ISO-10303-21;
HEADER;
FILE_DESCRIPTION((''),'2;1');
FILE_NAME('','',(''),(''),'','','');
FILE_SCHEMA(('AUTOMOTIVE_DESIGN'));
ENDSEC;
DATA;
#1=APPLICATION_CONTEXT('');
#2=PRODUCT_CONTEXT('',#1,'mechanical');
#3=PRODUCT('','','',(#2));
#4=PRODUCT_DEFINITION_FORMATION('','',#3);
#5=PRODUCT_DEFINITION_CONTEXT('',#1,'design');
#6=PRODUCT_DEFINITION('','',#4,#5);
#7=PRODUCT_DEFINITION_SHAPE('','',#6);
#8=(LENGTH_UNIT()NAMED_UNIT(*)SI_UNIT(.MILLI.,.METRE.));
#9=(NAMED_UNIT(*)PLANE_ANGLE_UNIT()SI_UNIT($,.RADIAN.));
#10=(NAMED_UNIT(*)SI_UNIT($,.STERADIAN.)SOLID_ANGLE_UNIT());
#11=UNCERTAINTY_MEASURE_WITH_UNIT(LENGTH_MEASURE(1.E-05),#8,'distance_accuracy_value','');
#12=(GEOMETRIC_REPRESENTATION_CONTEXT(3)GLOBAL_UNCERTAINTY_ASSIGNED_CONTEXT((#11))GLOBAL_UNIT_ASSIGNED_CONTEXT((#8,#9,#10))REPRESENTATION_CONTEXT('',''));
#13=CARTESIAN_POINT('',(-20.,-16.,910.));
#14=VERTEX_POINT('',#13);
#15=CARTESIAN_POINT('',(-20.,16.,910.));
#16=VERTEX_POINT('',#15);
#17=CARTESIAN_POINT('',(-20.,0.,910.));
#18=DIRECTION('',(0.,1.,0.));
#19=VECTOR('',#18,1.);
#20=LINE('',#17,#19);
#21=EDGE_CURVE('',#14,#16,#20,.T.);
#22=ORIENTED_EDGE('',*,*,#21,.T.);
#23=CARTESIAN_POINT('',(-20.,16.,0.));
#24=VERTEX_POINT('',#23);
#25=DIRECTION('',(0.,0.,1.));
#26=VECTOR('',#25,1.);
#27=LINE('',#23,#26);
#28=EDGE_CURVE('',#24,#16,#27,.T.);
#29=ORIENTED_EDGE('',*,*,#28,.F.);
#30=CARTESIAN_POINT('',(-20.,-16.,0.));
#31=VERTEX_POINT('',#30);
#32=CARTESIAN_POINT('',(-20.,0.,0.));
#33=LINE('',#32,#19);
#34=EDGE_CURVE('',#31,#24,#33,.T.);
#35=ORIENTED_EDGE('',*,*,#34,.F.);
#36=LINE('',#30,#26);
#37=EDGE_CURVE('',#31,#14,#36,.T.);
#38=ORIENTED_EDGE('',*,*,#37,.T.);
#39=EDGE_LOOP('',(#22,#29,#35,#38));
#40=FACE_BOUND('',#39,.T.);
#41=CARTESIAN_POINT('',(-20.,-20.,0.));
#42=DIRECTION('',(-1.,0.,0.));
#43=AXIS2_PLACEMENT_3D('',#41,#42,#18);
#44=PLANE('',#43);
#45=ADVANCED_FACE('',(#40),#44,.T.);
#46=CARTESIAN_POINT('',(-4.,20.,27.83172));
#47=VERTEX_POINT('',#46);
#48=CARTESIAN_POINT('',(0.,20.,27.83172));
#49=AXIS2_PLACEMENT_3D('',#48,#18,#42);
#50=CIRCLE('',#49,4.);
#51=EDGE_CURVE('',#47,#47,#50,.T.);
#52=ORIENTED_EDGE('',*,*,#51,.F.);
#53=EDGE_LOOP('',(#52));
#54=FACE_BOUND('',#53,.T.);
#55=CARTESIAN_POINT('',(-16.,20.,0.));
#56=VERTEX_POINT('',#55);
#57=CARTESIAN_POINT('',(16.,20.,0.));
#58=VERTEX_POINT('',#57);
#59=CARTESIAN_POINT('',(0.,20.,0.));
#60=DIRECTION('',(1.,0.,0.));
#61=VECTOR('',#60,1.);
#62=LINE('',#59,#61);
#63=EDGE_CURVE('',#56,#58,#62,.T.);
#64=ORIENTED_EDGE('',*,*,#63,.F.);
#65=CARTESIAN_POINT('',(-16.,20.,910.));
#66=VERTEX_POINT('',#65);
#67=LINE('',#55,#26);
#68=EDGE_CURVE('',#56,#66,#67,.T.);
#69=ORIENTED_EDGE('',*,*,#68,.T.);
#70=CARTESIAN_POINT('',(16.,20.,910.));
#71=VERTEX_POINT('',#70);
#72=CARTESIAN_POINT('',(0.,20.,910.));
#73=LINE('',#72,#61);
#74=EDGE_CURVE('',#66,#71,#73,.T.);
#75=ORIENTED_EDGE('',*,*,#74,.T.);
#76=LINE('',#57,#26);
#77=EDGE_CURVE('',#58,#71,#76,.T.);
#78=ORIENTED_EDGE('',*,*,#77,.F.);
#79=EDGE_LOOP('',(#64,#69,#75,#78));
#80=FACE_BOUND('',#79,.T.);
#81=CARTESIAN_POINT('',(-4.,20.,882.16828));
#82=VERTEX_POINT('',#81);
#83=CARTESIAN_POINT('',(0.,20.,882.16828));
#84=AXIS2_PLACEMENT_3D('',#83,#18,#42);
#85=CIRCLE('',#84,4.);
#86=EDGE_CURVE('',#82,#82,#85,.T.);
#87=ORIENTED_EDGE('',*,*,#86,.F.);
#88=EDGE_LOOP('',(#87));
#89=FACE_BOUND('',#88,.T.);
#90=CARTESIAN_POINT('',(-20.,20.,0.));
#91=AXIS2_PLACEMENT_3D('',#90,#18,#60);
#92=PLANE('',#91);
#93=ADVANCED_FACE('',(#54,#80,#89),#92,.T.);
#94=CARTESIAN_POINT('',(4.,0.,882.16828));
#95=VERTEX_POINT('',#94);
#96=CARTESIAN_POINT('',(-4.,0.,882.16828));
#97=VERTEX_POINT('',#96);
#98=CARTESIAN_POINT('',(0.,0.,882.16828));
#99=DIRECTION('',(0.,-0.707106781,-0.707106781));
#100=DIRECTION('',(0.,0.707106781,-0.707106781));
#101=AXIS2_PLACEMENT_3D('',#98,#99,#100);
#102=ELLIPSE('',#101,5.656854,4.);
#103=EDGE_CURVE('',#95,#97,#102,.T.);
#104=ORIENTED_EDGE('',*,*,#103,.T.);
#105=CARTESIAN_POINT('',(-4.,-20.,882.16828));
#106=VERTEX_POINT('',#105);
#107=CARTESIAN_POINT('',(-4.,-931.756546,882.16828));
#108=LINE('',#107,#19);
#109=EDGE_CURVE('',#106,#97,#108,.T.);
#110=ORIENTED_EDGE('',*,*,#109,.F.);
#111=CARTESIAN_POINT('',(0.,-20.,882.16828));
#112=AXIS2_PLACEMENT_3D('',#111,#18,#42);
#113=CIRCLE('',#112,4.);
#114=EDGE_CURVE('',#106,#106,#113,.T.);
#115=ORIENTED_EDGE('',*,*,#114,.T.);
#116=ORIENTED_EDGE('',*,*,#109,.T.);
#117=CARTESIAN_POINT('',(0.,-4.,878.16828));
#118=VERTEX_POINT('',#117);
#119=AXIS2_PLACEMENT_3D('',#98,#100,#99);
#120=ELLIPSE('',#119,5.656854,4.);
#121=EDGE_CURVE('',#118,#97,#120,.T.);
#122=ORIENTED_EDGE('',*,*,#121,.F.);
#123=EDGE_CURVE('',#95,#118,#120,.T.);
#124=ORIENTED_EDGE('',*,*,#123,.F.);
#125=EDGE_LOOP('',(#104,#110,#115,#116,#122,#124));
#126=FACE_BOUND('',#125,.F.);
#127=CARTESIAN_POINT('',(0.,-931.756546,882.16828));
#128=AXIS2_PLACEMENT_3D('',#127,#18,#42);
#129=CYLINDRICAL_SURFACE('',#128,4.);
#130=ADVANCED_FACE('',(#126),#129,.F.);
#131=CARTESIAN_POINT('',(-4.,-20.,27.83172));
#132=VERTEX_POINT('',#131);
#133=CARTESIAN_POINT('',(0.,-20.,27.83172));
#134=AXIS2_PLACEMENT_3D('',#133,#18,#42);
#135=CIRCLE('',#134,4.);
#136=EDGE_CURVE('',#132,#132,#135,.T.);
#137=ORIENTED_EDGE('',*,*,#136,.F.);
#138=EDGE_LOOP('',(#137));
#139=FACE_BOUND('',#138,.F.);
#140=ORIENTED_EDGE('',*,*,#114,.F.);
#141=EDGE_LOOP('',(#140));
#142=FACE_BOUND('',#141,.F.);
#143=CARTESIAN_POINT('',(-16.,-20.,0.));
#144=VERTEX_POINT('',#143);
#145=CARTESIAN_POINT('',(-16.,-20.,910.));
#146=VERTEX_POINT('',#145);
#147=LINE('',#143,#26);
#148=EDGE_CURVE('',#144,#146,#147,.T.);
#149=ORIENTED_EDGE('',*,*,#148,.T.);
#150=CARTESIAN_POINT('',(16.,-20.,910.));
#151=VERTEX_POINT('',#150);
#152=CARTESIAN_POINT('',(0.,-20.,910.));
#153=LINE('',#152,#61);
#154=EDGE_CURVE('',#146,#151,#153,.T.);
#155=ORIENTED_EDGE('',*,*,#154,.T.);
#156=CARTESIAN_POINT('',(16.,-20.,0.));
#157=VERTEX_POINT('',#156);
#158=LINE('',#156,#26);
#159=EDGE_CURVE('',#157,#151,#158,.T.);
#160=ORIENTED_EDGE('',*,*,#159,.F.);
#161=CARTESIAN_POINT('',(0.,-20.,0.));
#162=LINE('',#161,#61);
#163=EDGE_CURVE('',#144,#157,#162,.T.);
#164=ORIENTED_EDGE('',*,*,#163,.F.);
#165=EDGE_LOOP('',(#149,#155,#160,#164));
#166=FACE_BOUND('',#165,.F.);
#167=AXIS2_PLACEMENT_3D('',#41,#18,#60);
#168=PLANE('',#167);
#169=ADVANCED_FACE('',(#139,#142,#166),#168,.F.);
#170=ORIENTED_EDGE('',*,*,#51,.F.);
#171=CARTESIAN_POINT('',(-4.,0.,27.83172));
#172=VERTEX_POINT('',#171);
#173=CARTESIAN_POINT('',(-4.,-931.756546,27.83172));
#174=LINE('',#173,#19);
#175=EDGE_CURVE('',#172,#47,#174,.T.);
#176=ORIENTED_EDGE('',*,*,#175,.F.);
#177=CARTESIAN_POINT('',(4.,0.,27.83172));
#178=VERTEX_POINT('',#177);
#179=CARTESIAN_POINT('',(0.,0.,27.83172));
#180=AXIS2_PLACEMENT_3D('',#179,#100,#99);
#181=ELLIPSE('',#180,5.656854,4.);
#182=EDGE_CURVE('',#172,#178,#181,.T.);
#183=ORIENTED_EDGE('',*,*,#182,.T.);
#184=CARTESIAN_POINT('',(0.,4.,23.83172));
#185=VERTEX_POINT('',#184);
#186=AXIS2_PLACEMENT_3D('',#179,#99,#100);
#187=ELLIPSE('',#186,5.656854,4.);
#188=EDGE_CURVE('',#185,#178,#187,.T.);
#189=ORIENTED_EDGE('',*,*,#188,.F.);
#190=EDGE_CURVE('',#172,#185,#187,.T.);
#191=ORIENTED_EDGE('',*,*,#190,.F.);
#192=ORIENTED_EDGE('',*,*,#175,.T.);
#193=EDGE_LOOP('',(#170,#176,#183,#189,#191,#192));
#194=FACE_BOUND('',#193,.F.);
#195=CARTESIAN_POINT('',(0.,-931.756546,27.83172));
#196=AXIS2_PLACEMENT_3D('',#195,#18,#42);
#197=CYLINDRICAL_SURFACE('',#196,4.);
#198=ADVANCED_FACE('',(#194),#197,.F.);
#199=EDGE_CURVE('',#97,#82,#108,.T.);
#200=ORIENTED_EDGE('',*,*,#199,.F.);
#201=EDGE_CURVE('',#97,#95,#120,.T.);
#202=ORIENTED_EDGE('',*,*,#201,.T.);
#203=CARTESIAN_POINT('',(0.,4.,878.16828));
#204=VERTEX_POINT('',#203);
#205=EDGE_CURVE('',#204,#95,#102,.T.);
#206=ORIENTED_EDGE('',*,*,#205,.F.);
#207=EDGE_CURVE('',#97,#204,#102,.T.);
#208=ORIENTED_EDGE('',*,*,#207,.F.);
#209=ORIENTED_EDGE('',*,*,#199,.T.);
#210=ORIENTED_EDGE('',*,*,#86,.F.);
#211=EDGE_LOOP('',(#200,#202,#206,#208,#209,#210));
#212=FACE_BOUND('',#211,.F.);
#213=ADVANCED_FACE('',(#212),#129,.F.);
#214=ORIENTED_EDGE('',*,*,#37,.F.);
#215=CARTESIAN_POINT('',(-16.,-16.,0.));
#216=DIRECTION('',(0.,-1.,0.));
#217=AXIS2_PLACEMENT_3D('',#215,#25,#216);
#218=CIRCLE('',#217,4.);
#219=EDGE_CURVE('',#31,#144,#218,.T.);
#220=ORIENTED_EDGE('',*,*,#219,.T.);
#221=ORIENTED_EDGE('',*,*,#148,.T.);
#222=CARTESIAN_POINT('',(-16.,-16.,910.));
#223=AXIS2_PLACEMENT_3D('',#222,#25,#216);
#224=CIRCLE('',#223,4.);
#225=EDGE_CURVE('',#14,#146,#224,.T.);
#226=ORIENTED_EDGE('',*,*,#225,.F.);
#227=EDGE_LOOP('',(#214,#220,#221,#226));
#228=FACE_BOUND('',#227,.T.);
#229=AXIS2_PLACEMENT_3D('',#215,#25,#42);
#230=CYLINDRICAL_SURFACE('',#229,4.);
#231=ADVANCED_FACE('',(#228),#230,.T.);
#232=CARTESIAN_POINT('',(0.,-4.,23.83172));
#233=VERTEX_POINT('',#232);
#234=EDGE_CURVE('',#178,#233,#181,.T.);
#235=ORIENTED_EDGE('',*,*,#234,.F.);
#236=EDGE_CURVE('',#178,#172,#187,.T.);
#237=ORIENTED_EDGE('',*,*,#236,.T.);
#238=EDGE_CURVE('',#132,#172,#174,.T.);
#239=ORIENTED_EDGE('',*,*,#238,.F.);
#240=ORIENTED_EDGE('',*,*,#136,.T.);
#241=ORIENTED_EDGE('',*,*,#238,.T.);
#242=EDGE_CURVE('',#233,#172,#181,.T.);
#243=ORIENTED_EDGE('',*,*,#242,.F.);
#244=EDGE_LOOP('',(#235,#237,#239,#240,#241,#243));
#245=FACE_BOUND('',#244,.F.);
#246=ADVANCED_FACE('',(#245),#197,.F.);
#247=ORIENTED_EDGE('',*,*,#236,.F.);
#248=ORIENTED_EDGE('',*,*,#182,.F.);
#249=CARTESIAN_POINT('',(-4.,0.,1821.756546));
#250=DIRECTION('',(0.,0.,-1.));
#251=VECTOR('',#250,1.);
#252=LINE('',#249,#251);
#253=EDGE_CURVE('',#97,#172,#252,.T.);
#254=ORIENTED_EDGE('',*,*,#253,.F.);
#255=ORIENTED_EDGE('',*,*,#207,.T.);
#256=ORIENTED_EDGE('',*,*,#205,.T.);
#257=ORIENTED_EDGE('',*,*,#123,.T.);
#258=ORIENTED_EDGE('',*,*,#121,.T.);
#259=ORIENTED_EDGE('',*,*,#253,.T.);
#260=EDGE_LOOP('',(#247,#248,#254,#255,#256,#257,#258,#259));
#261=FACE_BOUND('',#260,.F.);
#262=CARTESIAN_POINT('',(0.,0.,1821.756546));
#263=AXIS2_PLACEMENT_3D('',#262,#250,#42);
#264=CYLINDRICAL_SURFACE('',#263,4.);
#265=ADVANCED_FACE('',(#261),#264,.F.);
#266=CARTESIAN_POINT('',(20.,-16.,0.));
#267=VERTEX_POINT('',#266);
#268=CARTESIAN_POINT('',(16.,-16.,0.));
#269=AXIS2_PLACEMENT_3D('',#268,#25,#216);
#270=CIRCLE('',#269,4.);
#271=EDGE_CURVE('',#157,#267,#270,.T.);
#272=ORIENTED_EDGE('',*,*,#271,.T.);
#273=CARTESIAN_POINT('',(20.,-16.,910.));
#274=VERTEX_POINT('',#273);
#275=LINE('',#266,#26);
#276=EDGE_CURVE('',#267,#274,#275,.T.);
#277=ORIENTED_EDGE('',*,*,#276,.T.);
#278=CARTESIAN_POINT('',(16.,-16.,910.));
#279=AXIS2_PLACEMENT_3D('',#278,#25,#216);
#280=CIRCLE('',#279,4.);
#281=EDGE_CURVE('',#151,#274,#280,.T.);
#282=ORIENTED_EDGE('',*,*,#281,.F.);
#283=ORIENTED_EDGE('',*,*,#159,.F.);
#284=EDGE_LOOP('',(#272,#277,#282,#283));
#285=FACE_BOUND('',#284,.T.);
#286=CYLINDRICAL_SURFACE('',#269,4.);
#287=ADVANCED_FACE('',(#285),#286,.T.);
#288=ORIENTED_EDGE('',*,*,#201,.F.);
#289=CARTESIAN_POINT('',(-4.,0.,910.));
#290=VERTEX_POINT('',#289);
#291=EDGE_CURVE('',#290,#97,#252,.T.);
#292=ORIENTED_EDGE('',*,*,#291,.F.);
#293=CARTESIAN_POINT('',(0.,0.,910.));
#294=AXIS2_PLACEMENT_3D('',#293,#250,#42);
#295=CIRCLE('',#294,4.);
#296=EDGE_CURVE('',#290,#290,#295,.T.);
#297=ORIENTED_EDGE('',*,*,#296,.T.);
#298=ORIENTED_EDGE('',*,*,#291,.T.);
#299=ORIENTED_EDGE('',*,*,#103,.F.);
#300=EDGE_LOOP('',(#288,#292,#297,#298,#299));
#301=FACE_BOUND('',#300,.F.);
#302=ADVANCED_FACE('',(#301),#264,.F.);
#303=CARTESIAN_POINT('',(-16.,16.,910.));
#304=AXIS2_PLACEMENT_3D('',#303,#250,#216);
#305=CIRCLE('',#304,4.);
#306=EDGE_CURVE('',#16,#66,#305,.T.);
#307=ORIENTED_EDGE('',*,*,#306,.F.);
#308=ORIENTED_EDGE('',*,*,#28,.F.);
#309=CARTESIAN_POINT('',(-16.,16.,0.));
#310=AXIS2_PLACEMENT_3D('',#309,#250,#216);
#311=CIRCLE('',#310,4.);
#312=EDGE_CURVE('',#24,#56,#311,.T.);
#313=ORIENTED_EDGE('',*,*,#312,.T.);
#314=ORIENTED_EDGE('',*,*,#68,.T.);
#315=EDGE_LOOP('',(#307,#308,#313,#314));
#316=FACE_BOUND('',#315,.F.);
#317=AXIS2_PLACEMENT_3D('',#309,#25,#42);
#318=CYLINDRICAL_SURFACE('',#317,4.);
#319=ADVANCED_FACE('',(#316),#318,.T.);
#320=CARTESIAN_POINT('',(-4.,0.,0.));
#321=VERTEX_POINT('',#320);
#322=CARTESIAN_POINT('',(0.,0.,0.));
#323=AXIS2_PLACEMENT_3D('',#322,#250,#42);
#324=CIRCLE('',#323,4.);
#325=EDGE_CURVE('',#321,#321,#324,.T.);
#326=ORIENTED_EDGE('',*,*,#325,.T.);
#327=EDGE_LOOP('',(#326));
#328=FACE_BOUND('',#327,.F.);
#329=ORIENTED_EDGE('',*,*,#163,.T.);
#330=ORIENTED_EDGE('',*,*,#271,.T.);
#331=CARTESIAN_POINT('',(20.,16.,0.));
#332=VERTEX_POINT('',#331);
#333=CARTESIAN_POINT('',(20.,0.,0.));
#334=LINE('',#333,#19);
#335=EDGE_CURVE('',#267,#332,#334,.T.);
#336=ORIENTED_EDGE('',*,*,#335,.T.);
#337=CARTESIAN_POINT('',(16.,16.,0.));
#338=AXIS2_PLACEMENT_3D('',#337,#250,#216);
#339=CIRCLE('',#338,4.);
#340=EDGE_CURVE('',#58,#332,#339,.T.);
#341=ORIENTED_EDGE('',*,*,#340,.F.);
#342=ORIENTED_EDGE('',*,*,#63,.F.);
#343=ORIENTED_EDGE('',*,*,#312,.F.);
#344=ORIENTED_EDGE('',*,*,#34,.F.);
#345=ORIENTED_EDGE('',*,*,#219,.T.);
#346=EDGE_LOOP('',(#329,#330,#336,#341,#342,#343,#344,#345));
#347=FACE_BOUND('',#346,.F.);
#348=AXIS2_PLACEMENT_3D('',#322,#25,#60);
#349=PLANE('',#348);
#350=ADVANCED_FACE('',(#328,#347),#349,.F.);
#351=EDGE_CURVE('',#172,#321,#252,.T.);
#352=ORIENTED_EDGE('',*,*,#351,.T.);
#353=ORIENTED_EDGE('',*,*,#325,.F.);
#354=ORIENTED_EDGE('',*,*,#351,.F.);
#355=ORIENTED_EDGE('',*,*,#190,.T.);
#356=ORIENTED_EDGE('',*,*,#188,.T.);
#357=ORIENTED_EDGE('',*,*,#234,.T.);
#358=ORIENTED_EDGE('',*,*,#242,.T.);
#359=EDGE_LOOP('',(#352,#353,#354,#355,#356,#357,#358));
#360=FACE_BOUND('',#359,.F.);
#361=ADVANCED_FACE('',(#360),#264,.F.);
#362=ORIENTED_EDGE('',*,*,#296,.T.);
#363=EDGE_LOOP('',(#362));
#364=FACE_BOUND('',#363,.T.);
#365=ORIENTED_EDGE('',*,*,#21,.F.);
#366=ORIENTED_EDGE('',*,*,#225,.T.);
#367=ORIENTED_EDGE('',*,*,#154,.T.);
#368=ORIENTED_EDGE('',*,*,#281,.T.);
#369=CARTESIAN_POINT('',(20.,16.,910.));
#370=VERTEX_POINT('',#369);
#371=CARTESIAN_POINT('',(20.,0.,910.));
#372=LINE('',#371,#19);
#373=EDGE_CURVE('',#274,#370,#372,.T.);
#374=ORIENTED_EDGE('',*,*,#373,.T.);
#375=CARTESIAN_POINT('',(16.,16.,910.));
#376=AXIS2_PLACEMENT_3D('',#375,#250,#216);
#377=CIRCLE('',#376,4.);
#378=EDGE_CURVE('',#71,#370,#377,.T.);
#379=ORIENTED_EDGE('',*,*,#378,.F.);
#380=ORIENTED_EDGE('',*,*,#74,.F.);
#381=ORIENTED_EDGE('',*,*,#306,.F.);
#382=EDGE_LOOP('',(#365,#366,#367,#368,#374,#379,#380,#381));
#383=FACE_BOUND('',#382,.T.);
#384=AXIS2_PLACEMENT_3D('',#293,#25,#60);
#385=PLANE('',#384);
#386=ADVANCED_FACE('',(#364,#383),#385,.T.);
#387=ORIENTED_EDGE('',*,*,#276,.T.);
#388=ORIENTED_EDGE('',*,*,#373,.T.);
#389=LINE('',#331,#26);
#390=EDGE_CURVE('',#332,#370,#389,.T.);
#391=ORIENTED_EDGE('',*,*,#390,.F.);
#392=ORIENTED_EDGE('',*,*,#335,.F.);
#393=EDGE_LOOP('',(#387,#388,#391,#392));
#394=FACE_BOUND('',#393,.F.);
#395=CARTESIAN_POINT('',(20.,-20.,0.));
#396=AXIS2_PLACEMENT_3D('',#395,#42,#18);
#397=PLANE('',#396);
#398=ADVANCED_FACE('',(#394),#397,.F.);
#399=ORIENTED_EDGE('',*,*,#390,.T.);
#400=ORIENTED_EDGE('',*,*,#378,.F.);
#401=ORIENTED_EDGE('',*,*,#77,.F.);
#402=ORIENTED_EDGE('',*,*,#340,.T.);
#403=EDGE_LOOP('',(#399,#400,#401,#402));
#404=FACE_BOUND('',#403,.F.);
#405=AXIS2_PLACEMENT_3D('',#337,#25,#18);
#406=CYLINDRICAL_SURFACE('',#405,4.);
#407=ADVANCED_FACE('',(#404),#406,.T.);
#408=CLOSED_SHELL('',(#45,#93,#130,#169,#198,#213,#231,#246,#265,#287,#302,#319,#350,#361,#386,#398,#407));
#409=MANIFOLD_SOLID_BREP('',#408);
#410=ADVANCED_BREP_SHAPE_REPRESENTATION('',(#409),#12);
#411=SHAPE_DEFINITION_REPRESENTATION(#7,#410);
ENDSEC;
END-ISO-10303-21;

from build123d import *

# Parameters (mm, degrees)
F0_W     = 40
F0_H     = 40
F1_DEPTH = 910
F3_D     = 8
F4_R     = 4
F6_D     = 8


with BuildPart() as f1:
    # F0 (on Top) → F1 (new body)
    with BuildSketch(Plane.XY):
        Rectangle(F0_W, F0_H)
    extrude(amount=F1_DEPTH)

    # F3 (through all)
    with Locations(Plane.XY.offset(910)):
        with Locations((0, 0)):
            Hole(F3_D / 2)

    # F4
    f4_edges = [f1.edges().sort_by_distance(p)[0] for p in [
        (-20, -20, 455),
        (20, -20, 455),
        (20, 20, 455),
        (-20, 20, 455),
    ]]
    fillet(f4_edges, radius=F4_R)

    # F6 (through all)
    with Locations(Plane.XZ.offset(20)):
        with Locations((0, 27.83172), (0, 882.16828)):
            Hole(F6_D / 2)


solid = f1.part
